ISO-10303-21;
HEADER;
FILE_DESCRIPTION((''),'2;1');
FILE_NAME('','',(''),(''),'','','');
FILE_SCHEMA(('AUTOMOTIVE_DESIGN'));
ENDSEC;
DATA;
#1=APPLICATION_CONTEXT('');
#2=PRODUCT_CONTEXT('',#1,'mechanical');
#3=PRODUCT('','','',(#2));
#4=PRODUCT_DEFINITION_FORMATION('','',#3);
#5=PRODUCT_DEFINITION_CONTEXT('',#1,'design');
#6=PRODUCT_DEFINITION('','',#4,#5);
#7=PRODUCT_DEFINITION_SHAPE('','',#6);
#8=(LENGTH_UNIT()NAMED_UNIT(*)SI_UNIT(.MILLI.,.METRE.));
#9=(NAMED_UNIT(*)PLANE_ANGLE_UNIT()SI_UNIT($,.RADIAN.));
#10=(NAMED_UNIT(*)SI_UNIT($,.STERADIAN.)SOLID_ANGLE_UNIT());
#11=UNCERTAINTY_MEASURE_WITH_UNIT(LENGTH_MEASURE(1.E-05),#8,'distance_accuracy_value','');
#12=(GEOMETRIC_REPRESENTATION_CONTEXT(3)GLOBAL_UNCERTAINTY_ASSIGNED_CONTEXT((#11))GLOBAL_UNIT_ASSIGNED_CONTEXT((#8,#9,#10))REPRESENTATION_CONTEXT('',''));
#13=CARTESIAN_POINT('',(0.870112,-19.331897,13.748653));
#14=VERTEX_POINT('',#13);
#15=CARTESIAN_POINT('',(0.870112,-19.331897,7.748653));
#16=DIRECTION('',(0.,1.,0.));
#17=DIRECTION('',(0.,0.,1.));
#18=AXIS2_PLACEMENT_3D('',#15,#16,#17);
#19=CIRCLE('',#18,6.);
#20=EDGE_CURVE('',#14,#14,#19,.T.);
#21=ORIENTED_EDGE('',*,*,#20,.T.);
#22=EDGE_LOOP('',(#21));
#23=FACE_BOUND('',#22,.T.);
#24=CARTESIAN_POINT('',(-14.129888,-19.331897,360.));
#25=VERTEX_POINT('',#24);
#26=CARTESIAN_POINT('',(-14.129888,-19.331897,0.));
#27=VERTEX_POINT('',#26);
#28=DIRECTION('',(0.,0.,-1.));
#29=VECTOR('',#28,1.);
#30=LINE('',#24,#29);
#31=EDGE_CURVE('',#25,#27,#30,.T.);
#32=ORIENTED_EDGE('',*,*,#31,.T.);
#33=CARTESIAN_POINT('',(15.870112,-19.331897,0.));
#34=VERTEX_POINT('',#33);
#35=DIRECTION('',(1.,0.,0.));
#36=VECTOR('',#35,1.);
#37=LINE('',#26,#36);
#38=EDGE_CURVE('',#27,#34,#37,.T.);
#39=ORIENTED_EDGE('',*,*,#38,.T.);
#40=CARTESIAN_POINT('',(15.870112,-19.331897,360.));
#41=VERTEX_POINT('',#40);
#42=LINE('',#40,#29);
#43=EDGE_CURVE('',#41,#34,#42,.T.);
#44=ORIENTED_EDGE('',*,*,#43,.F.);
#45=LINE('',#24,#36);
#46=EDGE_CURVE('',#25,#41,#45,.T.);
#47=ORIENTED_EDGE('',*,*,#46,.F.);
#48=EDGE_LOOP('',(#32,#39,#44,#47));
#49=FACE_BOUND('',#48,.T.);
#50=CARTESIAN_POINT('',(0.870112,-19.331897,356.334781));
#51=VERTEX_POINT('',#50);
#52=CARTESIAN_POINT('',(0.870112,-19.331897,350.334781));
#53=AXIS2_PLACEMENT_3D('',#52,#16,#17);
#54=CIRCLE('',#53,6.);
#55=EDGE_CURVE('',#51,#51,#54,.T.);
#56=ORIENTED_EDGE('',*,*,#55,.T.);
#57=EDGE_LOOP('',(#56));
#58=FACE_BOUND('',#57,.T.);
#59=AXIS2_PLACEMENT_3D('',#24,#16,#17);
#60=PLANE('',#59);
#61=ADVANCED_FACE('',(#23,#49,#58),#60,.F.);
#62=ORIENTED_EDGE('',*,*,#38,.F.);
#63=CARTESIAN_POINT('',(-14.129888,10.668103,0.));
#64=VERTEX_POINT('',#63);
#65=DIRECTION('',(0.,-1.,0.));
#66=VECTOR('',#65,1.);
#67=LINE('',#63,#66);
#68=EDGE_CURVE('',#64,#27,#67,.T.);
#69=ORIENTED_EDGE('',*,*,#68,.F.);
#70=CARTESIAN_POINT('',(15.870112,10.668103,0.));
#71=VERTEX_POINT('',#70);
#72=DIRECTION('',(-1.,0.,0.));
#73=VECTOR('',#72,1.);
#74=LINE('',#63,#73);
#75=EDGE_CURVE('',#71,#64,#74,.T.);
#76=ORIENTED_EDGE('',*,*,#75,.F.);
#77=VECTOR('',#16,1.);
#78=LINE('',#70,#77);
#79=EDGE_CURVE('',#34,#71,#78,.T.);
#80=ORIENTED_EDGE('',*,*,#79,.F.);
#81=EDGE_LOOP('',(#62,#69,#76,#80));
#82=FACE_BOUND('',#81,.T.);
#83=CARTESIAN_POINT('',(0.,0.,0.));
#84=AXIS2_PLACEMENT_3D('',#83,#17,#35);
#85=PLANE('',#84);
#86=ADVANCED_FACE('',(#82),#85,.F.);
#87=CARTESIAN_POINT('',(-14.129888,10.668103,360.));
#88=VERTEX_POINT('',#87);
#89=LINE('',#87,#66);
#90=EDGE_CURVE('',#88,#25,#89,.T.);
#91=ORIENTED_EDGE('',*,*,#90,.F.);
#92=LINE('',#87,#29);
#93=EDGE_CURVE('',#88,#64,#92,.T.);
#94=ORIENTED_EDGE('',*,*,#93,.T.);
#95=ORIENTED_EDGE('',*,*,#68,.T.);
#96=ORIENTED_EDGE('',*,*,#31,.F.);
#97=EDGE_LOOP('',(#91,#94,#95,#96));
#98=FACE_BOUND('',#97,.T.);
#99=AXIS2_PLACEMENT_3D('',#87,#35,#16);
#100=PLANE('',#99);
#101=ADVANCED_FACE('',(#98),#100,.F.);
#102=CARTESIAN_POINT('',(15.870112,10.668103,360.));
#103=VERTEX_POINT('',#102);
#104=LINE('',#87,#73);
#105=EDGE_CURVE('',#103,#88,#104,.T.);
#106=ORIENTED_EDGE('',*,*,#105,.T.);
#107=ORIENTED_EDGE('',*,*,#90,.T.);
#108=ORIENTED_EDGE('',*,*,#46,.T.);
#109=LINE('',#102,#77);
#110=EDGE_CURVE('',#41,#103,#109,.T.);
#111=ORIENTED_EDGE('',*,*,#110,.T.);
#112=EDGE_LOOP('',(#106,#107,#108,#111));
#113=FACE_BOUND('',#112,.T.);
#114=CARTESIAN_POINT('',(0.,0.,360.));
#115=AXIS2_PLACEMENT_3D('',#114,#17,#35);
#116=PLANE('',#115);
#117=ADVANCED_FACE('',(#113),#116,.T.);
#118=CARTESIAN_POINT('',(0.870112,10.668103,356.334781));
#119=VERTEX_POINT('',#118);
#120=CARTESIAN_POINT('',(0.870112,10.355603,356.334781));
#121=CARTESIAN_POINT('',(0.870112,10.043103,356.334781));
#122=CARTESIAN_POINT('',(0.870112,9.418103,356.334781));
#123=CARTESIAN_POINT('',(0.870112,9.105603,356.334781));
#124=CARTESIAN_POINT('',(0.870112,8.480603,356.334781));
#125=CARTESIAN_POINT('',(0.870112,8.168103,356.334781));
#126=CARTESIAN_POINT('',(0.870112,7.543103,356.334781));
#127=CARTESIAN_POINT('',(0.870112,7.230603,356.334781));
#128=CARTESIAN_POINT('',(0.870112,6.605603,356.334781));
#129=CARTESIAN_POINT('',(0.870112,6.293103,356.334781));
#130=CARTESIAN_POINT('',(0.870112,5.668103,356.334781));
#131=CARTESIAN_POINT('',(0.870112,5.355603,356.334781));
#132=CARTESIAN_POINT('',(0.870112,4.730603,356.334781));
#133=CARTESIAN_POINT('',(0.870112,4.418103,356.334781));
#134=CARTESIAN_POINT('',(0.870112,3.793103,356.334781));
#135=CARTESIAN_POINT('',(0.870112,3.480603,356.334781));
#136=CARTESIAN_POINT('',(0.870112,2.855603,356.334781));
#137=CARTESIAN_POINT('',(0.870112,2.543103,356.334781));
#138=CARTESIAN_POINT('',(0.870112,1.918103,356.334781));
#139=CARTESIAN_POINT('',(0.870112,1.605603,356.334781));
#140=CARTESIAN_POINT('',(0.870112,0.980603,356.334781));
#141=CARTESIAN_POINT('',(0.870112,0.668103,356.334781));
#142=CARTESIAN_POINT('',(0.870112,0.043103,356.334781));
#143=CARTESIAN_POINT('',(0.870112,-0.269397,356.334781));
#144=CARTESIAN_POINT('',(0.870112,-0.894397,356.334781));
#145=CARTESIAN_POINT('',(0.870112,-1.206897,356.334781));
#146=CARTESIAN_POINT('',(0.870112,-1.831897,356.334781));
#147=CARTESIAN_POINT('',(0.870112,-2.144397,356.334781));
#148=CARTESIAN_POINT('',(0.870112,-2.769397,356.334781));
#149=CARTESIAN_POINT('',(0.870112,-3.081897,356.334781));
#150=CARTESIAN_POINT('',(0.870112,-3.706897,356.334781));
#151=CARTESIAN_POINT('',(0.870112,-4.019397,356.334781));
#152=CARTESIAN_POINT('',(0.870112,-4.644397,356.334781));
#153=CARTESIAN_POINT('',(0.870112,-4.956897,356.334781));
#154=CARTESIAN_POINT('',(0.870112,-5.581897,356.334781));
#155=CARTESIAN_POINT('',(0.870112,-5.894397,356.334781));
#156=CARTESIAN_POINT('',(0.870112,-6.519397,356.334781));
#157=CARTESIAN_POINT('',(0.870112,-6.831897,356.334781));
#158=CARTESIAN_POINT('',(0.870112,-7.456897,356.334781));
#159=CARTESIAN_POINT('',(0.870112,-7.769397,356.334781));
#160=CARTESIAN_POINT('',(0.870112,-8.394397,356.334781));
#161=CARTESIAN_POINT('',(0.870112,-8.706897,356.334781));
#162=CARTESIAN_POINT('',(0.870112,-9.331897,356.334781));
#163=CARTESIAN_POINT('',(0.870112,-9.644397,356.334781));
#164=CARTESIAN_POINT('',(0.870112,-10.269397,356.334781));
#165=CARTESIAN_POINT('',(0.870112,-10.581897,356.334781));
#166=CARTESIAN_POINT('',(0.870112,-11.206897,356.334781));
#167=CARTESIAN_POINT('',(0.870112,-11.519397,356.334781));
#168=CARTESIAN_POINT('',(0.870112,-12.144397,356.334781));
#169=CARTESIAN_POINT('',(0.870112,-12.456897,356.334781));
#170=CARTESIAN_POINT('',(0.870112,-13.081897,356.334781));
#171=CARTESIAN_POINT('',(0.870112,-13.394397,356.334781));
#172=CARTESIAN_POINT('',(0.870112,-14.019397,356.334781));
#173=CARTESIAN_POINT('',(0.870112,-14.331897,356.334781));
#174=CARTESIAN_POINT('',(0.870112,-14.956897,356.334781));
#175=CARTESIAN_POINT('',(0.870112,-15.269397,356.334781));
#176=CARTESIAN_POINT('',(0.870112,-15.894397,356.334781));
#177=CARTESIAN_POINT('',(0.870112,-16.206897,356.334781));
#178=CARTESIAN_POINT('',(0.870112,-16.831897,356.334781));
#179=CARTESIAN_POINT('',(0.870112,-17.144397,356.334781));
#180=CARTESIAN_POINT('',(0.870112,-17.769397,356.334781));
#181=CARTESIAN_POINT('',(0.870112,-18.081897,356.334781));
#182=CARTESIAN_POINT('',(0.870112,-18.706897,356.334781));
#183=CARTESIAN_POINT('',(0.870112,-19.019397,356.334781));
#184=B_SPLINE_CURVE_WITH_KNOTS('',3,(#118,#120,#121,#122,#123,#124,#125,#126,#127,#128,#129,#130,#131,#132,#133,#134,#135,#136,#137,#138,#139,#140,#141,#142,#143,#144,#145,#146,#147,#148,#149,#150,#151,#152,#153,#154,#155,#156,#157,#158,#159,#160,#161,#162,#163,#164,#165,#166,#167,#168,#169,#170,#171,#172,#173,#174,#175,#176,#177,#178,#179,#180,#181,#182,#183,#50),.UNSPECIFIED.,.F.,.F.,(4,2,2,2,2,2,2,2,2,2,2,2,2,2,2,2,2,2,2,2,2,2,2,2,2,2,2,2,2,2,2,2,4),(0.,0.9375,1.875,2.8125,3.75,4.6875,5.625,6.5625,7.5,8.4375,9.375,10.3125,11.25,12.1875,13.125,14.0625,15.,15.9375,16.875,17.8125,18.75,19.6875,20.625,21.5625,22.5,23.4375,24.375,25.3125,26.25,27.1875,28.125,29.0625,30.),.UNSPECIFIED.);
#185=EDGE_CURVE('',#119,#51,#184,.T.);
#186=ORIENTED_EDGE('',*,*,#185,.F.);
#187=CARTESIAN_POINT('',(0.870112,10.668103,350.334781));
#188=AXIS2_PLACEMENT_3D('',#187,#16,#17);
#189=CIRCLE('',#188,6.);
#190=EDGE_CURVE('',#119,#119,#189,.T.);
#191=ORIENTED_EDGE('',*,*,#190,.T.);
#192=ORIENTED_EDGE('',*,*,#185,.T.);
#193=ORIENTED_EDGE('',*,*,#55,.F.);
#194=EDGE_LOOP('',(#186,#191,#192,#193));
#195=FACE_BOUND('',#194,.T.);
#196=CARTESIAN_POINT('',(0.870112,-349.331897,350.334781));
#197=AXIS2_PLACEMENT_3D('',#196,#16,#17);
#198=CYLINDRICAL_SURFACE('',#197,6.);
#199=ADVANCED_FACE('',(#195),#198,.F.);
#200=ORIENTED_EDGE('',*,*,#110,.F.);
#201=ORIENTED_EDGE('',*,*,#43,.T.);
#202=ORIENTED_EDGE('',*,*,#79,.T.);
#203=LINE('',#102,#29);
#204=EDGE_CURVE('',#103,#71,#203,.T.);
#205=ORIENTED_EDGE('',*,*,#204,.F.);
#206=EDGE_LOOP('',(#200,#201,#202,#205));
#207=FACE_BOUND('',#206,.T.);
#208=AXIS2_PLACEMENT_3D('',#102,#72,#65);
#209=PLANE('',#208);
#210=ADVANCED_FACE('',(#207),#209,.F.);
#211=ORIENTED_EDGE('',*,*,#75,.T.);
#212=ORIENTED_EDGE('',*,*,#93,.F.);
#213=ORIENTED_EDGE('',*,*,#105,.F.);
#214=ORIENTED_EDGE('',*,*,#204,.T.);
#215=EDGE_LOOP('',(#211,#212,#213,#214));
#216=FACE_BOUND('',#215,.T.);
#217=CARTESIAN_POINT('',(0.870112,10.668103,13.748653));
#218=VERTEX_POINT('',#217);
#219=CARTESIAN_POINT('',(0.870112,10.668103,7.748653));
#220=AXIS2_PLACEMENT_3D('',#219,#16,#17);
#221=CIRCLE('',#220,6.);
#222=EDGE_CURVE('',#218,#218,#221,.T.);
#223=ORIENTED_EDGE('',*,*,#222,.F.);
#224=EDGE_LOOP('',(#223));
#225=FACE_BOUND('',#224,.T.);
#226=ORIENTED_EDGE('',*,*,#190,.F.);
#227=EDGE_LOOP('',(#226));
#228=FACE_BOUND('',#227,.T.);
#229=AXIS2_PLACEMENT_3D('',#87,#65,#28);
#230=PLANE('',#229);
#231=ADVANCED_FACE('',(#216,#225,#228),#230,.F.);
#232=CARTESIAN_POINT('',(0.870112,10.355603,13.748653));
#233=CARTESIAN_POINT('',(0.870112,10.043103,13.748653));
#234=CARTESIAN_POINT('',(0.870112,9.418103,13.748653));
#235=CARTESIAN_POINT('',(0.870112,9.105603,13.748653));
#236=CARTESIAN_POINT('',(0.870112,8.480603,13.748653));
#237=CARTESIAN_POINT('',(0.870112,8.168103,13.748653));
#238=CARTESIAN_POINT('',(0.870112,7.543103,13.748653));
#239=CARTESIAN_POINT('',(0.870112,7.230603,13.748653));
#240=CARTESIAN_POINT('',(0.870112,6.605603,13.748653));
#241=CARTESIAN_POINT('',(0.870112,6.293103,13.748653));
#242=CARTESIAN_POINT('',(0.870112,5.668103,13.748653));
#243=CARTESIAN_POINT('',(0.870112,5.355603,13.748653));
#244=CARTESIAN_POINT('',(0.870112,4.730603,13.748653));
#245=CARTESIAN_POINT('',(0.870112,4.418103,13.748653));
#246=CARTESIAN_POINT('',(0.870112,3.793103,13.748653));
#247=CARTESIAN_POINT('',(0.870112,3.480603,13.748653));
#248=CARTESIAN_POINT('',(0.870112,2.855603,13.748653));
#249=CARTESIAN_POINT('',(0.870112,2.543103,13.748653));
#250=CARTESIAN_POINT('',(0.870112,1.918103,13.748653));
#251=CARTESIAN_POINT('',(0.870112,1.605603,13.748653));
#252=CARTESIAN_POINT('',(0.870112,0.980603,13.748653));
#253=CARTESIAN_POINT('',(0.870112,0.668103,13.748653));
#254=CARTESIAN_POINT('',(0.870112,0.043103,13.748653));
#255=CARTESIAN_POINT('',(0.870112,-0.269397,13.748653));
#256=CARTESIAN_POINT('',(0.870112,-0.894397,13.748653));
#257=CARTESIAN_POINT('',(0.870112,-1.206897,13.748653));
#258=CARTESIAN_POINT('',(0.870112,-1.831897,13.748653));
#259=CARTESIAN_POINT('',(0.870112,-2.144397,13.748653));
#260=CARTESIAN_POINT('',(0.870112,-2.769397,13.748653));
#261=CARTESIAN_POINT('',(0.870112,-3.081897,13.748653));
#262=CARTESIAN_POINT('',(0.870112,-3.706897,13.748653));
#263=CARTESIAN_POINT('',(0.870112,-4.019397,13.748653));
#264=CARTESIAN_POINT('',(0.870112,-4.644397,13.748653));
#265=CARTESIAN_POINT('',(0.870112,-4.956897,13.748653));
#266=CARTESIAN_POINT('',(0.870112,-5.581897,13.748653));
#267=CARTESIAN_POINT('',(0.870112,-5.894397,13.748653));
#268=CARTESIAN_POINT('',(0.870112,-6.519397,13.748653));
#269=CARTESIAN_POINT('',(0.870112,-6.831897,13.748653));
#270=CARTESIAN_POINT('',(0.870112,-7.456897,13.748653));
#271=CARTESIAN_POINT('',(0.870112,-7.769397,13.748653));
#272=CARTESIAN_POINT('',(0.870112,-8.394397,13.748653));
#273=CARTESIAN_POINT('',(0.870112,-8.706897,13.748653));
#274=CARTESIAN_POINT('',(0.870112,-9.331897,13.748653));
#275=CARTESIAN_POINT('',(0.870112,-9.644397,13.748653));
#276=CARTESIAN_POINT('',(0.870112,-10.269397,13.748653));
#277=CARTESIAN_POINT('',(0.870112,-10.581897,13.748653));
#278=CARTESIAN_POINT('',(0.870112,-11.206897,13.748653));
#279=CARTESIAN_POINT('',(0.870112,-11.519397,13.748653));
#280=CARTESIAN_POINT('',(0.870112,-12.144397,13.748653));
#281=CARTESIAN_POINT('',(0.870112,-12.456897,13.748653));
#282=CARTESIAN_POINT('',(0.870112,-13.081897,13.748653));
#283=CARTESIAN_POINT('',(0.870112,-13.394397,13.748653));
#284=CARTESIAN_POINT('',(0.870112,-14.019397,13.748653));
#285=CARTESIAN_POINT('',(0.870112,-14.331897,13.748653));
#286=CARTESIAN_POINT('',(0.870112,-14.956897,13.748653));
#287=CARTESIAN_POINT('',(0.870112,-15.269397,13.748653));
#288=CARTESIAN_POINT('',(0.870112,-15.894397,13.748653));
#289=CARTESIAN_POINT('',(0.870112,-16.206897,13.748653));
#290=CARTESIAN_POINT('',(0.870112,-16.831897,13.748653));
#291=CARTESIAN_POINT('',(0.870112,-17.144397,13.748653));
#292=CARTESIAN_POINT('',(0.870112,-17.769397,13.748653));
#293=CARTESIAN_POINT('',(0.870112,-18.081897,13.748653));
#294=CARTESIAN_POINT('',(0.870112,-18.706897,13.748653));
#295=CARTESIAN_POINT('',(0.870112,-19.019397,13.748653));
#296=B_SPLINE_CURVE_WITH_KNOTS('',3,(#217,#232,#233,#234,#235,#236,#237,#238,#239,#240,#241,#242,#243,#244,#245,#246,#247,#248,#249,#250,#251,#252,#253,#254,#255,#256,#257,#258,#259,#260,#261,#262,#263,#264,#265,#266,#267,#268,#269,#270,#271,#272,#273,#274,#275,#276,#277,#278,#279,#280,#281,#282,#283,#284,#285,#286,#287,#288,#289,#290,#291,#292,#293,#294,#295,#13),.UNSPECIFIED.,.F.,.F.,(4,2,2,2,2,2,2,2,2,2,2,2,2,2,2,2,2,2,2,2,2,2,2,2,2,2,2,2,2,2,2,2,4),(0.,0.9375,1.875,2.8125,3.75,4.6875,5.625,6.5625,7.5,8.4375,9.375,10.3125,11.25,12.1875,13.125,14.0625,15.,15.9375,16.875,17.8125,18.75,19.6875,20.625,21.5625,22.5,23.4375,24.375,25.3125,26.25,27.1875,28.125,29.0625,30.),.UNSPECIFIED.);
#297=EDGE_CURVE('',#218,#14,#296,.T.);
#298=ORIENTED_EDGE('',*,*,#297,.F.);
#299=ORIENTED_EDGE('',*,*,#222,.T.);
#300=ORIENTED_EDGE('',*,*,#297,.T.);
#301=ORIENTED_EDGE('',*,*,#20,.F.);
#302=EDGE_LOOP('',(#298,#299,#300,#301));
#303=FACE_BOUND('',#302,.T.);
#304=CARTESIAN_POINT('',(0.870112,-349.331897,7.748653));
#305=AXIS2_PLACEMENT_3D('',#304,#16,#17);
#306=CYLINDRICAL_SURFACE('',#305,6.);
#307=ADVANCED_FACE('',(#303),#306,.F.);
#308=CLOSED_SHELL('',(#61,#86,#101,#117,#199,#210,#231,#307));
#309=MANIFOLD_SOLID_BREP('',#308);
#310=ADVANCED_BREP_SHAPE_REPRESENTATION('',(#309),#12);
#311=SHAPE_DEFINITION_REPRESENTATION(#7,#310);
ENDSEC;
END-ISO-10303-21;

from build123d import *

# Parameters (mm, degrees)
SKETCH_1_W          = 30
SKETCH_1_H          = 30
EXTRUDE_1_DEPTH     = 360
SKETCH_2_R          = 6
CUT_EXTRUDE_1_DEPTH = 360


with BuildPart() as part:
    # 스케치1 → 보스-돌출1 (new body)
    with BuildSketch(Plane.XY):
        with Locations((0.870112419, -4.331896552)):
            Rectangle(SKETCH_1_W, SKETCH_1_H)
    extrude(amount=EXTRUDE_1_DEPTH)

    # 스케치2 → 컷-돌출1 (cut)
    with BuildSketch(Plane(origin=(0, 10.668103448, 0), x_dir=(1, 0, 0), z_dir=(0, 1, 0))):
        with Locations(Location((0.870112419, -7.748652883, 0), (0, 0, 270))):
            Circle(SKETCH_2_R)
        with Locations(Location((0.870112419, -350.334781364, 0), (0, 0, 270))):
            Circle(SKETCH_2_R)
    extrude(amount=-CUT_EXTRUDE_1_DEPTH, mode=Mode.SUBTRACT)


solid = part.part
